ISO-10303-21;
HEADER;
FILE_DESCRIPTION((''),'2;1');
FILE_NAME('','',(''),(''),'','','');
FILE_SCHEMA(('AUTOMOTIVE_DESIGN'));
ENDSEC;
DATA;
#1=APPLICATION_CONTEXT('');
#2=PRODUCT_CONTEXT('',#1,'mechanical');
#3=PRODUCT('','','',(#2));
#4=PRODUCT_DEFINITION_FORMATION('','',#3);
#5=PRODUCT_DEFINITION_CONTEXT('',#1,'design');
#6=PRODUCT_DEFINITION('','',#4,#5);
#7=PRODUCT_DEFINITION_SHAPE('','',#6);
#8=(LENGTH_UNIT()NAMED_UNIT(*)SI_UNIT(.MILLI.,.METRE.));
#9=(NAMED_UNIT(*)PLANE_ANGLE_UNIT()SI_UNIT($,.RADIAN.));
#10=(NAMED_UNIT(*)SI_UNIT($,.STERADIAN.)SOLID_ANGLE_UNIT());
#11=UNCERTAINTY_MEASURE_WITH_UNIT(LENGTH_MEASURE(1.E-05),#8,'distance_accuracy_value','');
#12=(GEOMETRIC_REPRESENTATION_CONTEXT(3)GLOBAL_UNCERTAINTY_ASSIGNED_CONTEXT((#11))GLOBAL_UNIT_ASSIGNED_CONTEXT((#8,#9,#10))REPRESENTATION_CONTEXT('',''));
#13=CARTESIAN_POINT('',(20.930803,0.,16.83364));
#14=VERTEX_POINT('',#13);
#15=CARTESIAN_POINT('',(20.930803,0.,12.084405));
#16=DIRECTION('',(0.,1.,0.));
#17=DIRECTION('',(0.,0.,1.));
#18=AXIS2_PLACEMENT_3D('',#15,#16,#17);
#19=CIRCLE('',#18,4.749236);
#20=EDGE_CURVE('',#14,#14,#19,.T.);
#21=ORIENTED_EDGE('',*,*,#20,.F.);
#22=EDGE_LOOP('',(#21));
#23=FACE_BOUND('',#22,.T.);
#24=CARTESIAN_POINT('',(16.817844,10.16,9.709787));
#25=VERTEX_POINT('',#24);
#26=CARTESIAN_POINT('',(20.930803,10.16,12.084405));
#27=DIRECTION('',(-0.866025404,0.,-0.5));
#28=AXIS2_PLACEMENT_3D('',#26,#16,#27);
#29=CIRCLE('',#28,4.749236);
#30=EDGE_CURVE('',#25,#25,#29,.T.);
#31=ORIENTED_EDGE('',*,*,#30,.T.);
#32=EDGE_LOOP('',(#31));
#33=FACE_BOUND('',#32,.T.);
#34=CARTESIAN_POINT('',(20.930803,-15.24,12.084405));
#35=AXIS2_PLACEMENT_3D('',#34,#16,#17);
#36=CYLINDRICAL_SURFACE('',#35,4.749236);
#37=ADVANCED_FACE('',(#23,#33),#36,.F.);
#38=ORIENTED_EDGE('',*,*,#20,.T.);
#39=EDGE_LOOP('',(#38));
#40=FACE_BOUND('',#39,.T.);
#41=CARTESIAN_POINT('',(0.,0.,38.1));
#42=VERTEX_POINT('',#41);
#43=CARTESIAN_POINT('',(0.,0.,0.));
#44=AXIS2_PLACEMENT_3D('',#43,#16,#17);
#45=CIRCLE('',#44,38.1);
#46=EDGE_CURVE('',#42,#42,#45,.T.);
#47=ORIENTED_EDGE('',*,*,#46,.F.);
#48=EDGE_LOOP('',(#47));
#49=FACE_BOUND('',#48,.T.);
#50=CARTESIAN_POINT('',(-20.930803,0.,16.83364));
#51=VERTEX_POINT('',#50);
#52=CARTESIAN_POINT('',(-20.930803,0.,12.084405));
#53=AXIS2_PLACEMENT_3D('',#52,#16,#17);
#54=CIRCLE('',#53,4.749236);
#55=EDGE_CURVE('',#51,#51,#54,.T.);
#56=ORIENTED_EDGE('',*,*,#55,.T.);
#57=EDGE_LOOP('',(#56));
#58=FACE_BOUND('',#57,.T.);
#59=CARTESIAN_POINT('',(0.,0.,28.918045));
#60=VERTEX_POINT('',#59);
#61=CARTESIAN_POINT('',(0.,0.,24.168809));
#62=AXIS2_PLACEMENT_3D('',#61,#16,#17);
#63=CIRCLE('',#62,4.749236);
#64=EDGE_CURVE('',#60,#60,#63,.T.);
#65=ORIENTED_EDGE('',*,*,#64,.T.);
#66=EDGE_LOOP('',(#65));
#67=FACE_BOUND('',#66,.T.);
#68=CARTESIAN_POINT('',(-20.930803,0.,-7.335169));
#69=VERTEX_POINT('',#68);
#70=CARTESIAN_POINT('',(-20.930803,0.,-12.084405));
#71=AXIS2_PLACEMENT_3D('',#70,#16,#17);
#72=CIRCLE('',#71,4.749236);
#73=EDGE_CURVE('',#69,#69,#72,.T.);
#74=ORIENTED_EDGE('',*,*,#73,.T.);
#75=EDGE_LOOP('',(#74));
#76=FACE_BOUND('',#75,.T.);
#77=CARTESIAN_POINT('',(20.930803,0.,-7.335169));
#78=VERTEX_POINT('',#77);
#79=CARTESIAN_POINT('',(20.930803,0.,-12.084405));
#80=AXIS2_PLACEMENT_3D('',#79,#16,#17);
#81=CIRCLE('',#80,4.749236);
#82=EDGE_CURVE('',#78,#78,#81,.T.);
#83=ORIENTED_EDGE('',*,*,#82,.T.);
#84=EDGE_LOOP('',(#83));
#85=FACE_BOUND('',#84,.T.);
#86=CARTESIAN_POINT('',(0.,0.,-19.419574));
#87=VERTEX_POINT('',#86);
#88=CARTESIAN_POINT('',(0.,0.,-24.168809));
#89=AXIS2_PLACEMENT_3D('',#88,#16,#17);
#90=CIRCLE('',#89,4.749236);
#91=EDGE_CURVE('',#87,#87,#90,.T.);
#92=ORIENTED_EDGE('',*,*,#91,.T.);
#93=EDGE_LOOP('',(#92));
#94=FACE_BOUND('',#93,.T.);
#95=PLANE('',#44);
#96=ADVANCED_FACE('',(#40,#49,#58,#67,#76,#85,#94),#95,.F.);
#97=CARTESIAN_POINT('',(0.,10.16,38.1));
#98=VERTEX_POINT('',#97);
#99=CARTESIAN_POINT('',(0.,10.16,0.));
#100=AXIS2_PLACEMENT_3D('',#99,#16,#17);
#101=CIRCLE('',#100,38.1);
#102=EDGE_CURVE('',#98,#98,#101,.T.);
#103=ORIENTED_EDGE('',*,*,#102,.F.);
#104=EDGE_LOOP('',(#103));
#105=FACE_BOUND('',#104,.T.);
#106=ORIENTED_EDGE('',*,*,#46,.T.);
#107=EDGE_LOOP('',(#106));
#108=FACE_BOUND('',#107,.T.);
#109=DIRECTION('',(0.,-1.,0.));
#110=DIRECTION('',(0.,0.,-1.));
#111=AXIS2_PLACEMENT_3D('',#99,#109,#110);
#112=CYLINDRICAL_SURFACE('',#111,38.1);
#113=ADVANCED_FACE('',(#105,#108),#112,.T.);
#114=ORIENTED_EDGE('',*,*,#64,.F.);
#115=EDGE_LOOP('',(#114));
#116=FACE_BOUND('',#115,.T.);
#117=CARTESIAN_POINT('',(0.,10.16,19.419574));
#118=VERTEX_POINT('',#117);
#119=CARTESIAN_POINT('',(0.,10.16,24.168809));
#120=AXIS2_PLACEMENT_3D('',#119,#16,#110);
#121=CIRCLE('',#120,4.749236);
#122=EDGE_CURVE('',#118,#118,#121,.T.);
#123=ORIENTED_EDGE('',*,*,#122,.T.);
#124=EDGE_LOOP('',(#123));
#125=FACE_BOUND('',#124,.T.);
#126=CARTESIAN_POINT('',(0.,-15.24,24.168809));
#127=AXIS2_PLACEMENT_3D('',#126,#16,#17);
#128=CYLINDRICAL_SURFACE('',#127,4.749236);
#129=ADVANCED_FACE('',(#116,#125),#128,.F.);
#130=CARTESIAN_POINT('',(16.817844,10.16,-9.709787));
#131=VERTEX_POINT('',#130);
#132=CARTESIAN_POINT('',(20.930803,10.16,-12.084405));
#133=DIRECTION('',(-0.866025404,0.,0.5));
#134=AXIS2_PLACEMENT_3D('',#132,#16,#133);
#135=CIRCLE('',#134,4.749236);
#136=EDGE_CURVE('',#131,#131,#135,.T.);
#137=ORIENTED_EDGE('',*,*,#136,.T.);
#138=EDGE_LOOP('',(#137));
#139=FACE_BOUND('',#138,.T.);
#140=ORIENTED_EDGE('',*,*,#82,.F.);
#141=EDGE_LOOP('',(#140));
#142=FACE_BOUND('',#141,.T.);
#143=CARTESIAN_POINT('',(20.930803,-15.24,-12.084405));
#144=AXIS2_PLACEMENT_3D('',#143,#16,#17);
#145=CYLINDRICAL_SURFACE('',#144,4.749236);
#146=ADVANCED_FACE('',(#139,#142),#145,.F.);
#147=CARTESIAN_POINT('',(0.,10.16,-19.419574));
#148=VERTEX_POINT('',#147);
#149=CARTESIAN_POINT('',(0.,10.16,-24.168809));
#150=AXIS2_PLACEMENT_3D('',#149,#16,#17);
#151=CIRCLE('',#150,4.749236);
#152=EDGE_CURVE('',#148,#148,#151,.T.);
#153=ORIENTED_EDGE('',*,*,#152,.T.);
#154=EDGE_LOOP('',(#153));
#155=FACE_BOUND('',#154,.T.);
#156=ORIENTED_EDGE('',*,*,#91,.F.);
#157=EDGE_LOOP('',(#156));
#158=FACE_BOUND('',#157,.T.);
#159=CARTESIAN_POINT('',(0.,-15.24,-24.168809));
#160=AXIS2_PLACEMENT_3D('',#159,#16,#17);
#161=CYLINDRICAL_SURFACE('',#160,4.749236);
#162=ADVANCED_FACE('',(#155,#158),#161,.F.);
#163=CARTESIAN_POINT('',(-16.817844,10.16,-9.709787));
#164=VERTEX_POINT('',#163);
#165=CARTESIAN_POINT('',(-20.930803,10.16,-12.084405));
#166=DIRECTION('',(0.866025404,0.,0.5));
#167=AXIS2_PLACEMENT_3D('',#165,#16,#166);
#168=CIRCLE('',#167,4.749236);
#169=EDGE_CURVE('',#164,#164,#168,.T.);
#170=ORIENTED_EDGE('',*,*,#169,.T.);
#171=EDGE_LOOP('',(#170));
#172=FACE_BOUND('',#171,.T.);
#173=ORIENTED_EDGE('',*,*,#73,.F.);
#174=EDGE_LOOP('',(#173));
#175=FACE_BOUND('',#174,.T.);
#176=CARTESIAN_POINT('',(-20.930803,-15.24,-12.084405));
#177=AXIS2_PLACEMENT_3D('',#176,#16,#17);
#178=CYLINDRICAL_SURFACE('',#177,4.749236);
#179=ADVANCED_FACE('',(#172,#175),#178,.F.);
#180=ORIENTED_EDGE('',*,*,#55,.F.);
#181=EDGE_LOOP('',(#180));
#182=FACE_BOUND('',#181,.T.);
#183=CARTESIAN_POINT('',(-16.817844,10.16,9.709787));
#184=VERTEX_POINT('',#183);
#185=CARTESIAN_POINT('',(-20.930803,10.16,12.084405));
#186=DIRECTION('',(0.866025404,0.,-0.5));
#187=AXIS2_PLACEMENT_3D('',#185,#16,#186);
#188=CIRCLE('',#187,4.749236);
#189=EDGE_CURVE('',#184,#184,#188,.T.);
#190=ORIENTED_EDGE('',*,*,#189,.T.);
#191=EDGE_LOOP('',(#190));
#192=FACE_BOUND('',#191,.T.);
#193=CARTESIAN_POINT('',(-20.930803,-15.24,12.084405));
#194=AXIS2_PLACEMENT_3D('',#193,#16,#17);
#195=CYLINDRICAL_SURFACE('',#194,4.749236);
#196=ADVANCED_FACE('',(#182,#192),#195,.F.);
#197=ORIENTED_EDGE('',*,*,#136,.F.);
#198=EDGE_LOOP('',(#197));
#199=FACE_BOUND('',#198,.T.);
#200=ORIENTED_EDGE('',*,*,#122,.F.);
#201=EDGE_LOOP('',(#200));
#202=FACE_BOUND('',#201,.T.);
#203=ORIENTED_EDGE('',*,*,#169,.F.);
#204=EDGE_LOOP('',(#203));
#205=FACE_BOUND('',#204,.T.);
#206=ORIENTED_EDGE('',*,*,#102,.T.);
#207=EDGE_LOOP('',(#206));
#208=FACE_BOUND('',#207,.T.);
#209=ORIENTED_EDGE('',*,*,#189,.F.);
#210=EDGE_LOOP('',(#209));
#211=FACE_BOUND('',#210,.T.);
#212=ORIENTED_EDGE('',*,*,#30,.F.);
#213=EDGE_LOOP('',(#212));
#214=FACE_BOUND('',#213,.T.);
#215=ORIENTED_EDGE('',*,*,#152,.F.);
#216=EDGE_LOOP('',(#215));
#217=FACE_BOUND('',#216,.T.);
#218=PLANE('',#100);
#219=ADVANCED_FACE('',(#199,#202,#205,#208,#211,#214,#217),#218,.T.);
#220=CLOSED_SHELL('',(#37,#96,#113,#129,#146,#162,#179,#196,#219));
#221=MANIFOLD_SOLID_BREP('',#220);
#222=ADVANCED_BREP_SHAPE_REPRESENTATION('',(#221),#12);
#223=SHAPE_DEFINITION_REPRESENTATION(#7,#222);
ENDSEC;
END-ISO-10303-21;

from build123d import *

# Parameters (mm, degrees)
SKETCH2_R           = 38.1
BOSS_EXTRUDE1_DEPTH = 10.16
SKETCH3_R           = 4.74923553
CUT_EXTRUDE3_DEPTH  = 25.4
CIRPATTERN1_COUNT   = 6


with BuildPart() as part:
    # Sketch2 → Boss-Extrude1 (new body)
    with BuildSketch(Plane(origin=(0, 0, 0), x_dir=(1, 0, 0), z_dir=(0, 1, 0))):
        with Locations(Location((0, 0, 0), (0, 0, 270))):
            Circle(SKETCH2_R)
    extrude(amount=BOSS_EXTRUDE1_DEPTH)

    # Sketch3 → Cut-Extrude3 (cut)
    with BuildSketch(Plane(origin=(0, 10.16, 0), x_dir=(1, 0, 0), z_dir=(0, 1, 0))):
        with Locations(Location((0, 24.168809353, 0), (0, 0, 270))):
            Circle(SKETCH3_R)
    cut_extrude3 = extrude(amount=-CUT_EXTRUDE3_DEPTH, mode=Mode.SUBTRACT)

    # CirPattern1: Cut-Extrude3 ×6 about axis
    cirpattern1_axis = Axis((0, 0, 0), (0, 1, 0))
    for i in range(1, CIRPATTERN1_COUNT):
        add(cut_extrude3.rotate(cirpattern1_axis, i * 360 / CIRPATTERN1_COUNT), mode=Mode.SUBTRACT)


solid = part.part
